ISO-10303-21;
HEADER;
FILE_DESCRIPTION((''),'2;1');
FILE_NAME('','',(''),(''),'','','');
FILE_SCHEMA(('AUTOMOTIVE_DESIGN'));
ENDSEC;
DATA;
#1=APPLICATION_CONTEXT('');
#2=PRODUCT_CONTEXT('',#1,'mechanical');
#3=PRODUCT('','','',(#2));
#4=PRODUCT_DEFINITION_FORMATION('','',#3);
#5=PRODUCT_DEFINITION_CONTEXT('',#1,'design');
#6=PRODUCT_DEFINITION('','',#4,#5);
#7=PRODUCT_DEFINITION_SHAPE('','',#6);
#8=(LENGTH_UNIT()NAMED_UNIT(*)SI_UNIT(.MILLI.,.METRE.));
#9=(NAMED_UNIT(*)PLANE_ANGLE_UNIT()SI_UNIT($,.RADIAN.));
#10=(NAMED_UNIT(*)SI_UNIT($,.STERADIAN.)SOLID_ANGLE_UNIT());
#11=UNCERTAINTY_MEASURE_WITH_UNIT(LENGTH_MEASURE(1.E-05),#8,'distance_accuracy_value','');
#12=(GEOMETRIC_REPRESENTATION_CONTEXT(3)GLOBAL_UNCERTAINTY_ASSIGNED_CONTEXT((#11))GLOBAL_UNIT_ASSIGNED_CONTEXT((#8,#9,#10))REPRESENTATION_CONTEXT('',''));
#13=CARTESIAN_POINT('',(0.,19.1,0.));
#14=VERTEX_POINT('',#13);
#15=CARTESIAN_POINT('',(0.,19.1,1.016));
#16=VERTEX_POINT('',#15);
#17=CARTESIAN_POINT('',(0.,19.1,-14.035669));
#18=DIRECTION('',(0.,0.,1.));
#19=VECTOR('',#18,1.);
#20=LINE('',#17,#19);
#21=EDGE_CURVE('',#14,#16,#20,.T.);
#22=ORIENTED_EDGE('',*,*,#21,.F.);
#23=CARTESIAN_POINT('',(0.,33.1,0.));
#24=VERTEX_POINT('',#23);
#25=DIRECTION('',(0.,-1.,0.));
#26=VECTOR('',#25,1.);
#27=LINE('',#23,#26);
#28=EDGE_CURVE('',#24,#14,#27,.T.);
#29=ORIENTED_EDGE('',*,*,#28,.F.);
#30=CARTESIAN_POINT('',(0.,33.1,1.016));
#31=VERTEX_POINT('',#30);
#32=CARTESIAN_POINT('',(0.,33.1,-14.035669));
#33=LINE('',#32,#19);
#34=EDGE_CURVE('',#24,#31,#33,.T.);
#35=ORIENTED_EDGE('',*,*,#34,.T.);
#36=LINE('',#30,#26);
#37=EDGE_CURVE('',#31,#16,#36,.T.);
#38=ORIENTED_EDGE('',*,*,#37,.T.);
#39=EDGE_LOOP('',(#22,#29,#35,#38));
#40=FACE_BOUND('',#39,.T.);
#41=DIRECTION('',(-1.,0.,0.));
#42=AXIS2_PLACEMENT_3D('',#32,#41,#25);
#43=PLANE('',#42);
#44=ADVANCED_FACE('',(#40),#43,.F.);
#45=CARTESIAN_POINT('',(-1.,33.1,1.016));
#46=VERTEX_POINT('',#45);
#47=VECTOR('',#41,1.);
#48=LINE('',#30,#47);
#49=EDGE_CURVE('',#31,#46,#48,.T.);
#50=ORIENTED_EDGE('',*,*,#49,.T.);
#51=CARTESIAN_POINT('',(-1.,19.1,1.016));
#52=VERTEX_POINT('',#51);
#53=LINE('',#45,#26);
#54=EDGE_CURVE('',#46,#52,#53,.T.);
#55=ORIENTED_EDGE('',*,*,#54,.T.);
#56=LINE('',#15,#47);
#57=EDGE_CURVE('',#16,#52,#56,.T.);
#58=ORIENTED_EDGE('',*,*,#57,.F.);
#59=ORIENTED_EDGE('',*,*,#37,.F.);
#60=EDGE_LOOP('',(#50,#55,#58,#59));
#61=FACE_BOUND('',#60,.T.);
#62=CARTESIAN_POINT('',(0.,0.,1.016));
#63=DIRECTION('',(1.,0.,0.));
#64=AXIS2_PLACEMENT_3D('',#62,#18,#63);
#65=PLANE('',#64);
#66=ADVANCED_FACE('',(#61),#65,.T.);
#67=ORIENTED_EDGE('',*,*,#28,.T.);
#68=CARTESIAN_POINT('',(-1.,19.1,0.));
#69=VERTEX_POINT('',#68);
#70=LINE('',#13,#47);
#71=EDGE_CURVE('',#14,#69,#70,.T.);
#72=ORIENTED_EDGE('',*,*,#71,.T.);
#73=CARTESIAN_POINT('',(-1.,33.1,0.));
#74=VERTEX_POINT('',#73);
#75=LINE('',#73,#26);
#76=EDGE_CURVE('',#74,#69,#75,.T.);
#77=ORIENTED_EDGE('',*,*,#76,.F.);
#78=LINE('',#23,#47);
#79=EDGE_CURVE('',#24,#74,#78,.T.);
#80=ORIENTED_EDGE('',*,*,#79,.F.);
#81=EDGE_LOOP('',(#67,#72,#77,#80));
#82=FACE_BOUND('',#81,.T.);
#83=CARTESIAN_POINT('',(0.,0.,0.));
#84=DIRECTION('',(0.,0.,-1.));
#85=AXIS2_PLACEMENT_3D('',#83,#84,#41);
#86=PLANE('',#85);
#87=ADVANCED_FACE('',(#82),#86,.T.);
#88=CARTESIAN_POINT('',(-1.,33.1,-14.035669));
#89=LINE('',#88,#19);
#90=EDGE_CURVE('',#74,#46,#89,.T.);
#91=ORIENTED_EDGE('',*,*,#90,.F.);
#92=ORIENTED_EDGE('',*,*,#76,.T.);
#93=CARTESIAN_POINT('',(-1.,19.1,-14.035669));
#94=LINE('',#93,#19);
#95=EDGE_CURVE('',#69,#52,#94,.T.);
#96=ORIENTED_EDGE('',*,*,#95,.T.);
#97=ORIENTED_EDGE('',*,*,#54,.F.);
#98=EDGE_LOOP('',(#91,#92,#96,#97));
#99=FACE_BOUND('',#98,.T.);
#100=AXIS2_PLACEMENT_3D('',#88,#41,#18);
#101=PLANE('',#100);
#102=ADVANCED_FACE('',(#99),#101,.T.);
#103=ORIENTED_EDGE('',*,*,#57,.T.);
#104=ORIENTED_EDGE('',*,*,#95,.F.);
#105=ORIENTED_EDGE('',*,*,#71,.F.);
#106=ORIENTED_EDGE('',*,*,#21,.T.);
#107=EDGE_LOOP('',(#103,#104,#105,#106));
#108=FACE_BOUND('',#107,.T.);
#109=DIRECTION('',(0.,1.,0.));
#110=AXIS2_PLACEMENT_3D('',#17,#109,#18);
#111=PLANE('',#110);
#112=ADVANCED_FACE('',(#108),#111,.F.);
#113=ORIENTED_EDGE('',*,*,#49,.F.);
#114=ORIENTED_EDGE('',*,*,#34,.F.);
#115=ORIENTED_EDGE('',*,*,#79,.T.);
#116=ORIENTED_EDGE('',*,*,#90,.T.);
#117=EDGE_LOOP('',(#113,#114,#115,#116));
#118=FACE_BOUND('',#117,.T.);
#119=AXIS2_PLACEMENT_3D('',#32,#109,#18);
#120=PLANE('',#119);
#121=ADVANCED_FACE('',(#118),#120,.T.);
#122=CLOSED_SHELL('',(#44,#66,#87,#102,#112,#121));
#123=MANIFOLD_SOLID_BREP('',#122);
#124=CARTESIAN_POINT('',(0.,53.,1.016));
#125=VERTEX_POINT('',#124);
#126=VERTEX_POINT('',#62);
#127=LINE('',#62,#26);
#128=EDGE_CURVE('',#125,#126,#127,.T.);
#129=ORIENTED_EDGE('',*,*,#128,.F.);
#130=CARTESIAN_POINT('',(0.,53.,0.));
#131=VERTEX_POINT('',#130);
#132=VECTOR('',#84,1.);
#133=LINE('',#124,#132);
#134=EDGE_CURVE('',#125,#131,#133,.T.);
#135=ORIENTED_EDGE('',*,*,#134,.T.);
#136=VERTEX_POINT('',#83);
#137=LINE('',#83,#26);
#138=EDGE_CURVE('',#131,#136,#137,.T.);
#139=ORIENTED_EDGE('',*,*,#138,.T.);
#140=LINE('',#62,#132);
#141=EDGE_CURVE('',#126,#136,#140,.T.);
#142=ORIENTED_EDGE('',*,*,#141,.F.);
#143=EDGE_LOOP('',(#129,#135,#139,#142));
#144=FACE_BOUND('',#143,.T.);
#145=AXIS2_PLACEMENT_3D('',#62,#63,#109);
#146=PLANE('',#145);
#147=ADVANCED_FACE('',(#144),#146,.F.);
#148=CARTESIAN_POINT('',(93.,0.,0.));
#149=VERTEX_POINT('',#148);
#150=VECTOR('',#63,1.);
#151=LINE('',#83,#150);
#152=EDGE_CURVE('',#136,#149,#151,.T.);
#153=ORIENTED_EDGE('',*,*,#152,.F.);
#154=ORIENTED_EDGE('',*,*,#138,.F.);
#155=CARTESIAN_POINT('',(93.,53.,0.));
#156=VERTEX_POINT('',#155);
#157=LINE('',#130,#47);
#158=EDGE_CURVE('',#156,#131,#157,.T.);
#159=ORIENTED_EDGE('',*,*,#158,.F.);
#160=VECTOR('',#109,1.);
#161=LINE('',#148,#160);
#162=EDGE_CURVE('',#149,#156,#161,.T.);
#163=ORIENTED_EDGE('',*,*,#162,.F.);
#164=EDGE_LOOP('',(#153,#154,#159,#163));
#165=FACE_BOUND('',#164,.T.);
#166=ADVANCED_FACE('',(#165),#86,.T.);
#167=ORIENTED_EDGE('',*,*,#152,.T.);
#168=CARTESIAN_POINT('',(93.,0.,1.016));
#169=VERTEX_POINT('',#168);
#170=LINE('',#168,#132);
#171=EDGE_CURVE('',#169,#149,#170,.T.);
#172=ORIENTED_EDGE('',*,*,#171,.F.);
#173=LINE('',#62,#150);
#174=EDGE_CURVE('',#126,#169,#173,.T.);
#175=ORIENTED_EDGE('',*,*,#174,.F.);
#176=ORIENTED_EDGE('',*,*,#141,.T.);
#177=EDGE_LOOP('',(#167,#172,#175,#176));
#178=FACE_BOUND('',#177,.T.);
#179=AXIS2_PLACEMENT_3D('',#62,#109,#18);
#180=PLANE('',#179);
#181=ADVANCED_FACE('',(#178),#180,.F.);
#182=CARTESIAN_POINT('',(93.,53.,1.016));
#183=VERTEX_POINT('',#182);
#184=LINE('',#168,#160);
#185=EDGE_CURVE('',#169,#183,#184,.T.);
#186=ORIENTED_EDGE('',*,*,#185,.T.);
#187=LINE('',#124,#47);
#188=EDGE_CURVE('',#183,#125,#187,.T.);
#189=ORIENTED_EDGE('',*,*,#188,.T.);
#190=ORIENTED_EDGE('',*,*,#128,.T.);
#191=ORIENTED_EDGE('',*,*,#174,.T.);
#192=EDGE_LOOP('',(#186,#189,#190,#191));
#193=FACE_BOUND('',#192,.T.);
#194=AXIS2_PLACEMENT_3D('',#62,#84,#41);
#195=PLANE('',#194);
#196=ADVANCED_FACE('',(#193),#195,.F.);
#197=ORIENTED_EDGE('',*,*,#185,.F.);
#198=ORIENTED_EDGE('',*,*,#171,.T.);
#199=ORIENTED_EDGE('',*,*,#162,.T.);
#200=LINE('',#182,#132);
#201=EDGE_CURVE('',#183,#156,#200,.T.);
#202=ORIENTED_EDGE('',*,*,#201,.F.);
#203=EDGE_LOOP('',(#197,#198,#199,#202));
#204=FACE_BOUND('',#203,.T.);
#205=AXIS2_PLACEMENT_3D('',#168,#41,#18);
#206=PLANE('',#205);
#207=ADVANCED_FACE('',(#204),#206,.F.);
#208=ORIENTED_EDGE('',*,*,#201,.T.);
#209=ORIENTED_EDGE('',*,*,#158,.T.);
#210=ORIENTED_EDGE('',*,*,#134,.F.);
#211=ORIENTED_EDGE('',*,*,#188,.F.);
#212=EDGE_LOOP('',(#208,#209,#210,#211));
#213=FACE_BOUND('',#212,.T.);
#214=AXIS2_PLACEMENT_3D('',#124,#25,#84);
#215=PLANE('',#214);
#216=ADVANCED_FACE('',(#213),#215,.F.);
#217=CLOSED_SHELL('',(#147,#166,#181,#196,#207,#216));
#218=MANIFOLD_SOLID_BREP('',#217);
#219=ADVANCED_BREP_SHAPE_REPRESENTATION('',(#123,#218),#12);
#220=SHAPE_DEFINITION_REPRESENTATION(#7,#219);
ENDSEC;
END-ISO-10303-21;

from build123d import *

# Parameters (mm, degrees)
SKETCH1_W           = 93
SKETCH1_H           = 53
BOSS_EXTRUDE1_DEPTH = 1.016
SKETCH2_W           = 1
SKETCH2_H           = 14
BOSS_EXTRUDE2_DEPTH = 1.016


with BuildPart() as part:
    # Sketch1 → Boss-Extrude1 (new body)
    with BuildSketch(Plane.XY):
        with Locations((46.5, 26.5)):
            Rectangle(SKETCH1_W, SKETCH1_H)
    extrude(amount=BOSS_EXTRUDE1_DEPTH)


with BuildPart() as body_2:
    # Sketch2 → Boss-Extrude2 (new body)
    with BuildSketch(Plane.XY.offset(1.016)):
        with Locations((-0.5, 26.1)):
            Rectangle(SKETCH2_W, SKETCH2_H)
    extrude(amount=-BOSS_EXTRUDE2_DEPTH)


solid = Compound([part.part, body_2.part])
